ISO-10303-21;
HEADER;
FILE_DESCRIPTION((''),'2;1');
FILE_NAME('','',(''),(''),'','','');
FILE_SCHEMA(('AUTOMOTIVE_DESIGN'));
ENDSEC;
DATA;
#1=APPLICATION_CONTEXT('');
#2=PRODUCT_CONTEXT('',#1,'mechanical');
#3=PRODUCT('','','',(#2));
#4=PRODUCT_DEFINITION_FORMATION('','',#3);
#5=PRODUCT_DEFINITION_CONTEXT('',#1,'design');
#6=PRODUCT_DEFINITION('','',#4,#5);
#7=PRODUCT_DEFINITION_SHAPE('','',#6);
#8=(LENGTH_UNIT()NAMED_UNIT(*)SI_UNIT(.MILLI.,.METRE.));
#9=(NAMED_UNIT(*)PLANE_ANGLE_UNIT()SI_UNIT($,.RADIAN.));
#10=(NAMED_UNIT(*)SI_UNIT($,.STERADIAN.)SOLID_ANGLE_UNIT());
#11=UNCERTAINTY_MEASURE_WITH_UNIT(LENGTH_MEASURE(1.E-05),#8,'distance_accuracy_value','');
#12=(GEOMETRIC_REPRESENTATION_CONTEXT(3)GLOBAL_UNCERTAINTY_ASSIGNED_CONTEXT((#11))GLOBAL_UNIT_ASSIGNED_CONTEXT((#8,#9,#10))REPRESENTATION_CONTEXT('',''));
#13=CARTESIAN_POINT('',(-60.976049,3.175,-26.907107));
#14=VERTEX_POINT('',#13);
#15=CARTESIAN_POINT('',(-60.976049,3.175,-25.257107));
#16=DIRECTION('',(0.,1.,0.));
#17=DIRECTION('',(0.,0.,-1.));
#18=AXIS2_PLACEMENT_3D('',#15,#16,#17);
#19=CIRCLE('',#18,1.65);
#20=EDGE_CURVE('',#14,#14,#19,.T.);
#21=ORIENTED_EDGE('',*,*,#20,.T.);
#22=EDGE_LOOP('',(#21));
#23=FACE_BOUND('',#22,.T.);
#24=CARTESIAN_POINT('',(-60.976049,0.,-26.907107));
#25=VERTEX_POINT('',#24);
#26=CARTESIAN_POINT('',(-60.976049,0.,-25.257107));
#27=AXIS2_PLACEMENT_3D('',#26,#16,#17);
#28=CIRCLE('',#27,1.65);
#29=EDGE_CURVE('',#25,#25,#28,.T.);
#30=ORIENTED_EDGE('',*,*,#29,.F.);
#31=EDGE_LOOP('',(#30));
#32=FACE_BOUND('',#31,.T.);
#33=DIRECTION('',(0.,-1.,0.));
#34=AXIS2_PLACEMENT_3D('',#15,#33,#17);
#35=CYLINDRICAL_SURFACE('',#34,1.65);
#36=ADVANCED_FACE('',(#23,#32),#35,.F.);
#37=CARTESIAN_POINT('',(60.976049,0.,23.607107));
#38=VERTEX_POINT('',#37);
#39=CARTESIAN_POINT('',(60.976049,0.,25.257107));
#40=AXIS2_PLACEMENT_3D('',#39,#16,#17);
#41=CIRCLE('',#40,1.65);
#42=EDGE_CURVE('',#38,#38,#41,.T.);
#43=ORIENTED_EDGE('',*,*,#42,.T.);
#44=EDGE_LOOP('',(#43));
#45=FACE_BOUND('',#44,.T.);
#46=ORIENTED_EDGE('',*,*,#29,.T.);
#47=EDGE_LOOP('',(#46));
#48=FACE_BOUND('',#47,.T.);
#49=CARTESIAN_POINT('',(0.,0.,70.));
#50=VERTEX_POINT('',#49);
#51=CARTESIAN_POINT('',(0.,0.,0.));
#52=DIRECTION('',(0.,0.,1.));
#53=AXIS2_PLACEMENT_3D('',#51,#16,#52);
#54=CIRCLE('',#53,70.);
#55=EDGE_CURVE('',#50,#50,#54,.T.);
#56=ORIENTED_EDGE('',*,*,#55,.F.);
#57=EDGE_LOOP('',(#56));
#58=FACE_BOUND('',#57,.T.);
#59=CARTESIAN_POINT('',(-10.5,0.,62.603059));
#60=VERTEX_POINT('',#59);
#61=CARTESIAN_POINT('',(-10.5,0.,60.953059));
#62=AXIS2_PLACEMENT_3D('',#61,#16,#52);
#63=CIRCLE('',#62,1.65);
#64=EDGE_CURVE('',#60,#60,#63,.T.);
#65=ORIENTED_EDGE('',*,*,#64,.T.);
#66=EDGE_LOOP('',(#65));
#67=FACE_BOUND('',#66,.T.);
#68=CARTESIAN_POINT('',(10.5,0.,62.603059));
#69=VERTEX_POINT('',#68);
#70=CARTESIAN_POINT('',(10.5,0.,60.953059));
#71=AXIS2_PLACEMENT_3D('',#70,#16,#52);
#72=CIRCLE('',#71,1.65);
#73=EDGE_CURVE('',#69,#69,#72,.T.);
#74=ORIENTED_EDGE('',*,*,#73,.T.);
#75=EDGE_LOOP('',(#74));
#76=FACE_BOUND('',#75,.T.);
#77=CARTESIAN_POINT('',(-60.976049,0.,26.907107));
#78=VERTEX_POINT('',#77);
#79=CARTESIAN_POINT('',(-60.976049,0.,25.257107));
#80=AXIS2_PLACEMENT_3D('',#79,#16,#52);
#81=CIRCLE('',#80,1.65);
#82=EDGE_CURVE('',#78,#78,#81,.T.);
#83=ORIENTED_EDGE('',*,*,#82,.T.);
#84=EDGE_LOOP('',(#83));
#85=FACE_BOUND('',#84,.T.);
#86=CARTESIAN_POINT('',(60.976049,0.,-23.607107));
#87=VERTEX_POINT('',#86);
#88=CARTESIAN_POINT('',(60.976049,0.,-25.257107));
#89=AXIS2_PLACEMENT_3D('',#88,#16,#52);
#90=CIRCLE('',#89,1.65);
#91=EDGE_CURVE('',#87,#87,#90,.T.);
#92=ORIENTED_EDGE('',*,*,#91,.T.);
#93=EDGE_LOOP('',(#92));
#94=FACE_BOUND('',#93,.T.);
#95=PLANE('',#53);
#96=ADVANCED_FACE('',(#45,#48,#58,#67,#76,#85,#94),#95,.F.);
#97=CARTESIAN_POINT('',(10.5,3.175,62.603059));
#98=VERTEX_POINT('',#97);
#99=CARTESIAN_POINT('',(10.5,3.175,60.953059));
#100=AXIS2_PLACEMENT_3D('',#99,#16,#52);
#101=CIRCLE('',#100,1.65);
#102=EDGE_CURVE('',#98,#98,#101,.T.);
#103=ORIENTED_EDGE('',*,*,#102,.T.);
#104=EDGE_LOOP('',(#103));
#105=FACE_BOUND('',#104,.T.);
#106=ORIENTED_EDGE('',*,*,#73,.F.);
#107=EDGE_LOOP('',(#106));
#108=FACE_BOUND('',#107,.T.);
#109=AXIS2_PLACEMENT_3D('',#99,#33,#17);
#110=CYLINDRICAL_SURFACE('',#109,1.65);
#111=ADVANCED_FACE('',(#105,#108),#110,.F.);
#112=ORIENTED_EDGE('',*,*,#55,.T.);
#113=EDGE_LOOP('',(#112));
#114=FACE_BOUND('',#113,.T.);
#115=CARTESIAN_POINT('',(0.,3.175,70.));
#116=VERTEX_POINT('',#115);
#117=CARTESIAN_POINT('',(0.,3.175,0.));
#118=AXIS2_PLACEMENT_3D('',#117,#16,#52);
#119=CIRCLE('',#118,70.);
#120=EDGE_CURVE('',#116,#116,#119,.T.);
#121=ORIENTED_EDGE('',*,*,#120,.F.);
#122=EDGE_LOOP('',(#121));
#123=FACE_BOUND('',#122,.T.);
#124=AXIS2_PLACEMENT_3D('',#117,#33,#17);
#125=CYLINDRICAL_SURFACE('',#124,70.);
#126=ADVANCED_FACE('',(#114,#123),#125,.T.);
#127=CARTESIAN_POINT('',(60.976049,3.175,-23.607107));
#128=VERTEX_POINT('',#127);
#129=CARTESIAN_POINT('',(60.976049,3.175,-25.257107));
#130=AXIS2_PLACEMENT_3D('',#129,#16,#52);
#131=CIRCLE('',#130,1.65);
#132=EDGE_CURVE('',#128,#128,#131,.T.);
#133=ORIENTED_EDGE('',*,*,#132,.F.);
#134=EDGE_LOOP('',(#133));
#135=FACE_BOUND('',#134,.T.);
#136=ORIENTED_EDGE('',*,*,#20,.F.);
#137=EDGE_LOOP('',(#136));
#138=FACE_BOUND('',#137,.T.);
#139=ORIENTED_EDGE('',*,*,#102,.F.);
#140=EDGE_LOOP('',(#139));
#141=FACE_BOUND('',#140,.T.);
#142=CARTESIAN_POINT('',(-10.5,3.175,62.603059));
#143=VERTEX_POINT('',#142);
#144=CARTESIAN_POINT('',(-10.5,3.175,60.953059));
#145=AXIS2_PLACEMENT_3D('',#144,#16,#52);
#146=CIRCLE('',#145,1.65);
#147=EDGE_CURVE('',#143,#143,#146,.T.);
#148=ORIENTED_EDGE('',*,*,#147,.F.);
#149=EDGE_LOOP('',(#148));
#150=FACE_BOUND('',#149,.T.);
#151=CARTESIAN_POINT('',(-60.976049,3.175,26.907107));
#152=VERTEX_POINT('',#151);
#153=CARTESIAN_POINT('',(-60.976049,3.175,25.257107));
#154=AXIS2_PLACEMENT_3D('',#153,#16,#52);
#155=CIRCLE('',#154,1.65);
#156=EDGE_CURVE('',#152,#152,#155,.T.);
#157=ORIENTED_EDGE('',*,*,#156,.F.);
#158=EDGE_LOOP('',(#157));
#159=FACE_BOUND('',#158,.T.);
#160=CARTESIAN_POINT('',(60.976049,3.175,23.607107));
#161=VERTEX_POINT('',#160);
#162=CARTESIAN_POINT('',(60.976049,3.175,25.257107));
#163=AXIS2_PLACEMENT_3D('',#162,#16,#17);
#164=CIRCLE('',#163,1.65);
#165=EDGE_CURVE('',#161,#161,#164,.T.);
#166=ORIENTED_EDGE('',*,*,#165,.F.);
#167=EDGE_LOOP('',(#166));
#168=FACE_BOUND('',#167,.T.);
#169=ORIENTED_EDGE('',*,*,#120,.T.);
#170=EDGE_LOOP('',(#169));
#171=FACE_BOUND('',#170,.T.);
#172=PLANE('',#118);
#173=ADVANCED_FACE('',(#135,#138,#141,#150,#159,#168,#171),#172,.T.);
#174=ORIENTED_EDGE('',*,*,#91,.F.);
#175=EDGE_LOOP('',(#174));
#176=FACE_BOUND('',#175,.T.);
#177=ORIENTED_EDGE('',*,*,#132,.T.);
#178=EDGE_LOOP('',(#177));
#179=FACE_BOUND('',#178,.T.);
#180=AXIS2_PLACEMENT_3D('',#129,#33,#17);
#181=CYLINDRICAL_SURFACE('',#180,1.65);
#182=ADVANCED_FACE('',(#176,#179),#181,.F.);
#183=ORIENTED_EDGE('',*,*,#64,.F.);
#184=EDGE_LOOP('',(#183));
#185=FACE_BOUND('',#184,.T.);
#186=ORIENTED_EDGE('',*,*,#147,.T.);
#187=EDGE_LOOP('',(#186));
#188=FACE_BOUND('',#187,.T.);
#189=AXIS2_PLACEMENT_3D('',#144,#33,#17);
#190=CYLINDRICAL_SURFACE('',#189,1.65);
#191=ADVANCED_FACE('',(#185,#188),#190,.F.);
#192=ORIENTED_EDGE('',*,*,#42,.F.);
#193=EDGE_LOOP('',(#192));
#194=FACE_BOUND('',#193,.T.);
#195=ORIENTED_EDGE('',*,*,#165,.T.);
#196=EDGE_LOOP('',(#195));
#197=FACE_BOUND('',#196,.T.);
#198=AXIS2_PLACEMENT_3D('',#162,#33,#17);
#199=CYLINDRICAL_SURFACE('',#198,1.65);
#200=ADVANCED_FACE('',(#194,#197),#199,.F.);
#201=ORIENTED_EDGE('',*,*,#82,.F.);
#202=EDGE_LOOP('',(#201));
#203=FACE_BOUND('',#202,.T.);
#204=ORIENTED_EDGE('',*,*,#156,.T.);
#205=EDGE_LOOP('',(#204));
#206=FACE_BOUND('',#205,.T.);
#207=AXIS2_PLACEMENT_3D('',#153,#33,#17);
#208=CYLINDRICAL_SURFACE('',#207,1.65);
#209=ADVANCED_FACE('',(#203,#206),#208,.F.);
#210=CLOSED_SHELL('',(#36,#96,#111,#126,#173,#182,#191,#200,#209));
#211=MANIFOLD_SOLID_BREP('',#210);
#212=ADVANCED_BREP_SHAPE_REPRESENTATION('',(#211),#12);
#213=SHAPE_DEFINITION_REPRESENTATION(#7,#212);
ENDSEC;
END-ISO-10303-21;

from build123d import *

# Parameters (mm, degrees)
BASE_W_MOTOR_MOUNTS_R  = 70
BOSS_EXTRUDE1_DEPTH    = 3.175
STANDOFFS_TOP_BOTTOM_R = 1.65
CUT_EXTRUDE2_DEPTH     = 3.175


with BuildPart() as part:
    # Base w/ Motor Mounts → Boss-Extrude1 (new body)
    with BuildSketch(Plane(origin=(0, 0, 0), x_dir=(1, 0, 0), z_dir=(0, 1, 0))):
        Circle(BASE_W_MOTOR_MOUNTS_R)
    extrude(amount=BOSS_EXTRUDE1_DEPTH)

    # Standoffs (top / bottom) → Cut-Extrude2 (cut)
    with BuildSketch(Plane(origin=(0, 0, 0), x_dir=(1, 0, 0), z_dir=(0, 1, 0))):
        with Locations((60.976049146, 25.257106536)):
            Circle(STANDOFFS_TOP_BOTTOM_R)
        with Locations((60.976049146, -25.257106536)):
            Circle(STANDOFFS_TOP_BOTTOM_R)
        with Locations((-60.976049146, -25.257106536)):
            Circle(STANDOFFS_TOP_BOTTOM_R)
        with Locations((-60.976049146, 25.257106536)):
            Circle(STANDOFFS_TOP_BOTTOM_R)
        with Locations((10.5, -60.953059289)):
            Circle(STANDOFFS_TOP_BOTTOM_R)
        with Locations((-10.5, -60.953059289)):
            Circle(STANDOFFS_TOP_BOTTOM_R)
    extrude(amount=CUT_EXTRUDE2_DEPTH, mode=Mode.SUBTRACT)


solid = part.part
